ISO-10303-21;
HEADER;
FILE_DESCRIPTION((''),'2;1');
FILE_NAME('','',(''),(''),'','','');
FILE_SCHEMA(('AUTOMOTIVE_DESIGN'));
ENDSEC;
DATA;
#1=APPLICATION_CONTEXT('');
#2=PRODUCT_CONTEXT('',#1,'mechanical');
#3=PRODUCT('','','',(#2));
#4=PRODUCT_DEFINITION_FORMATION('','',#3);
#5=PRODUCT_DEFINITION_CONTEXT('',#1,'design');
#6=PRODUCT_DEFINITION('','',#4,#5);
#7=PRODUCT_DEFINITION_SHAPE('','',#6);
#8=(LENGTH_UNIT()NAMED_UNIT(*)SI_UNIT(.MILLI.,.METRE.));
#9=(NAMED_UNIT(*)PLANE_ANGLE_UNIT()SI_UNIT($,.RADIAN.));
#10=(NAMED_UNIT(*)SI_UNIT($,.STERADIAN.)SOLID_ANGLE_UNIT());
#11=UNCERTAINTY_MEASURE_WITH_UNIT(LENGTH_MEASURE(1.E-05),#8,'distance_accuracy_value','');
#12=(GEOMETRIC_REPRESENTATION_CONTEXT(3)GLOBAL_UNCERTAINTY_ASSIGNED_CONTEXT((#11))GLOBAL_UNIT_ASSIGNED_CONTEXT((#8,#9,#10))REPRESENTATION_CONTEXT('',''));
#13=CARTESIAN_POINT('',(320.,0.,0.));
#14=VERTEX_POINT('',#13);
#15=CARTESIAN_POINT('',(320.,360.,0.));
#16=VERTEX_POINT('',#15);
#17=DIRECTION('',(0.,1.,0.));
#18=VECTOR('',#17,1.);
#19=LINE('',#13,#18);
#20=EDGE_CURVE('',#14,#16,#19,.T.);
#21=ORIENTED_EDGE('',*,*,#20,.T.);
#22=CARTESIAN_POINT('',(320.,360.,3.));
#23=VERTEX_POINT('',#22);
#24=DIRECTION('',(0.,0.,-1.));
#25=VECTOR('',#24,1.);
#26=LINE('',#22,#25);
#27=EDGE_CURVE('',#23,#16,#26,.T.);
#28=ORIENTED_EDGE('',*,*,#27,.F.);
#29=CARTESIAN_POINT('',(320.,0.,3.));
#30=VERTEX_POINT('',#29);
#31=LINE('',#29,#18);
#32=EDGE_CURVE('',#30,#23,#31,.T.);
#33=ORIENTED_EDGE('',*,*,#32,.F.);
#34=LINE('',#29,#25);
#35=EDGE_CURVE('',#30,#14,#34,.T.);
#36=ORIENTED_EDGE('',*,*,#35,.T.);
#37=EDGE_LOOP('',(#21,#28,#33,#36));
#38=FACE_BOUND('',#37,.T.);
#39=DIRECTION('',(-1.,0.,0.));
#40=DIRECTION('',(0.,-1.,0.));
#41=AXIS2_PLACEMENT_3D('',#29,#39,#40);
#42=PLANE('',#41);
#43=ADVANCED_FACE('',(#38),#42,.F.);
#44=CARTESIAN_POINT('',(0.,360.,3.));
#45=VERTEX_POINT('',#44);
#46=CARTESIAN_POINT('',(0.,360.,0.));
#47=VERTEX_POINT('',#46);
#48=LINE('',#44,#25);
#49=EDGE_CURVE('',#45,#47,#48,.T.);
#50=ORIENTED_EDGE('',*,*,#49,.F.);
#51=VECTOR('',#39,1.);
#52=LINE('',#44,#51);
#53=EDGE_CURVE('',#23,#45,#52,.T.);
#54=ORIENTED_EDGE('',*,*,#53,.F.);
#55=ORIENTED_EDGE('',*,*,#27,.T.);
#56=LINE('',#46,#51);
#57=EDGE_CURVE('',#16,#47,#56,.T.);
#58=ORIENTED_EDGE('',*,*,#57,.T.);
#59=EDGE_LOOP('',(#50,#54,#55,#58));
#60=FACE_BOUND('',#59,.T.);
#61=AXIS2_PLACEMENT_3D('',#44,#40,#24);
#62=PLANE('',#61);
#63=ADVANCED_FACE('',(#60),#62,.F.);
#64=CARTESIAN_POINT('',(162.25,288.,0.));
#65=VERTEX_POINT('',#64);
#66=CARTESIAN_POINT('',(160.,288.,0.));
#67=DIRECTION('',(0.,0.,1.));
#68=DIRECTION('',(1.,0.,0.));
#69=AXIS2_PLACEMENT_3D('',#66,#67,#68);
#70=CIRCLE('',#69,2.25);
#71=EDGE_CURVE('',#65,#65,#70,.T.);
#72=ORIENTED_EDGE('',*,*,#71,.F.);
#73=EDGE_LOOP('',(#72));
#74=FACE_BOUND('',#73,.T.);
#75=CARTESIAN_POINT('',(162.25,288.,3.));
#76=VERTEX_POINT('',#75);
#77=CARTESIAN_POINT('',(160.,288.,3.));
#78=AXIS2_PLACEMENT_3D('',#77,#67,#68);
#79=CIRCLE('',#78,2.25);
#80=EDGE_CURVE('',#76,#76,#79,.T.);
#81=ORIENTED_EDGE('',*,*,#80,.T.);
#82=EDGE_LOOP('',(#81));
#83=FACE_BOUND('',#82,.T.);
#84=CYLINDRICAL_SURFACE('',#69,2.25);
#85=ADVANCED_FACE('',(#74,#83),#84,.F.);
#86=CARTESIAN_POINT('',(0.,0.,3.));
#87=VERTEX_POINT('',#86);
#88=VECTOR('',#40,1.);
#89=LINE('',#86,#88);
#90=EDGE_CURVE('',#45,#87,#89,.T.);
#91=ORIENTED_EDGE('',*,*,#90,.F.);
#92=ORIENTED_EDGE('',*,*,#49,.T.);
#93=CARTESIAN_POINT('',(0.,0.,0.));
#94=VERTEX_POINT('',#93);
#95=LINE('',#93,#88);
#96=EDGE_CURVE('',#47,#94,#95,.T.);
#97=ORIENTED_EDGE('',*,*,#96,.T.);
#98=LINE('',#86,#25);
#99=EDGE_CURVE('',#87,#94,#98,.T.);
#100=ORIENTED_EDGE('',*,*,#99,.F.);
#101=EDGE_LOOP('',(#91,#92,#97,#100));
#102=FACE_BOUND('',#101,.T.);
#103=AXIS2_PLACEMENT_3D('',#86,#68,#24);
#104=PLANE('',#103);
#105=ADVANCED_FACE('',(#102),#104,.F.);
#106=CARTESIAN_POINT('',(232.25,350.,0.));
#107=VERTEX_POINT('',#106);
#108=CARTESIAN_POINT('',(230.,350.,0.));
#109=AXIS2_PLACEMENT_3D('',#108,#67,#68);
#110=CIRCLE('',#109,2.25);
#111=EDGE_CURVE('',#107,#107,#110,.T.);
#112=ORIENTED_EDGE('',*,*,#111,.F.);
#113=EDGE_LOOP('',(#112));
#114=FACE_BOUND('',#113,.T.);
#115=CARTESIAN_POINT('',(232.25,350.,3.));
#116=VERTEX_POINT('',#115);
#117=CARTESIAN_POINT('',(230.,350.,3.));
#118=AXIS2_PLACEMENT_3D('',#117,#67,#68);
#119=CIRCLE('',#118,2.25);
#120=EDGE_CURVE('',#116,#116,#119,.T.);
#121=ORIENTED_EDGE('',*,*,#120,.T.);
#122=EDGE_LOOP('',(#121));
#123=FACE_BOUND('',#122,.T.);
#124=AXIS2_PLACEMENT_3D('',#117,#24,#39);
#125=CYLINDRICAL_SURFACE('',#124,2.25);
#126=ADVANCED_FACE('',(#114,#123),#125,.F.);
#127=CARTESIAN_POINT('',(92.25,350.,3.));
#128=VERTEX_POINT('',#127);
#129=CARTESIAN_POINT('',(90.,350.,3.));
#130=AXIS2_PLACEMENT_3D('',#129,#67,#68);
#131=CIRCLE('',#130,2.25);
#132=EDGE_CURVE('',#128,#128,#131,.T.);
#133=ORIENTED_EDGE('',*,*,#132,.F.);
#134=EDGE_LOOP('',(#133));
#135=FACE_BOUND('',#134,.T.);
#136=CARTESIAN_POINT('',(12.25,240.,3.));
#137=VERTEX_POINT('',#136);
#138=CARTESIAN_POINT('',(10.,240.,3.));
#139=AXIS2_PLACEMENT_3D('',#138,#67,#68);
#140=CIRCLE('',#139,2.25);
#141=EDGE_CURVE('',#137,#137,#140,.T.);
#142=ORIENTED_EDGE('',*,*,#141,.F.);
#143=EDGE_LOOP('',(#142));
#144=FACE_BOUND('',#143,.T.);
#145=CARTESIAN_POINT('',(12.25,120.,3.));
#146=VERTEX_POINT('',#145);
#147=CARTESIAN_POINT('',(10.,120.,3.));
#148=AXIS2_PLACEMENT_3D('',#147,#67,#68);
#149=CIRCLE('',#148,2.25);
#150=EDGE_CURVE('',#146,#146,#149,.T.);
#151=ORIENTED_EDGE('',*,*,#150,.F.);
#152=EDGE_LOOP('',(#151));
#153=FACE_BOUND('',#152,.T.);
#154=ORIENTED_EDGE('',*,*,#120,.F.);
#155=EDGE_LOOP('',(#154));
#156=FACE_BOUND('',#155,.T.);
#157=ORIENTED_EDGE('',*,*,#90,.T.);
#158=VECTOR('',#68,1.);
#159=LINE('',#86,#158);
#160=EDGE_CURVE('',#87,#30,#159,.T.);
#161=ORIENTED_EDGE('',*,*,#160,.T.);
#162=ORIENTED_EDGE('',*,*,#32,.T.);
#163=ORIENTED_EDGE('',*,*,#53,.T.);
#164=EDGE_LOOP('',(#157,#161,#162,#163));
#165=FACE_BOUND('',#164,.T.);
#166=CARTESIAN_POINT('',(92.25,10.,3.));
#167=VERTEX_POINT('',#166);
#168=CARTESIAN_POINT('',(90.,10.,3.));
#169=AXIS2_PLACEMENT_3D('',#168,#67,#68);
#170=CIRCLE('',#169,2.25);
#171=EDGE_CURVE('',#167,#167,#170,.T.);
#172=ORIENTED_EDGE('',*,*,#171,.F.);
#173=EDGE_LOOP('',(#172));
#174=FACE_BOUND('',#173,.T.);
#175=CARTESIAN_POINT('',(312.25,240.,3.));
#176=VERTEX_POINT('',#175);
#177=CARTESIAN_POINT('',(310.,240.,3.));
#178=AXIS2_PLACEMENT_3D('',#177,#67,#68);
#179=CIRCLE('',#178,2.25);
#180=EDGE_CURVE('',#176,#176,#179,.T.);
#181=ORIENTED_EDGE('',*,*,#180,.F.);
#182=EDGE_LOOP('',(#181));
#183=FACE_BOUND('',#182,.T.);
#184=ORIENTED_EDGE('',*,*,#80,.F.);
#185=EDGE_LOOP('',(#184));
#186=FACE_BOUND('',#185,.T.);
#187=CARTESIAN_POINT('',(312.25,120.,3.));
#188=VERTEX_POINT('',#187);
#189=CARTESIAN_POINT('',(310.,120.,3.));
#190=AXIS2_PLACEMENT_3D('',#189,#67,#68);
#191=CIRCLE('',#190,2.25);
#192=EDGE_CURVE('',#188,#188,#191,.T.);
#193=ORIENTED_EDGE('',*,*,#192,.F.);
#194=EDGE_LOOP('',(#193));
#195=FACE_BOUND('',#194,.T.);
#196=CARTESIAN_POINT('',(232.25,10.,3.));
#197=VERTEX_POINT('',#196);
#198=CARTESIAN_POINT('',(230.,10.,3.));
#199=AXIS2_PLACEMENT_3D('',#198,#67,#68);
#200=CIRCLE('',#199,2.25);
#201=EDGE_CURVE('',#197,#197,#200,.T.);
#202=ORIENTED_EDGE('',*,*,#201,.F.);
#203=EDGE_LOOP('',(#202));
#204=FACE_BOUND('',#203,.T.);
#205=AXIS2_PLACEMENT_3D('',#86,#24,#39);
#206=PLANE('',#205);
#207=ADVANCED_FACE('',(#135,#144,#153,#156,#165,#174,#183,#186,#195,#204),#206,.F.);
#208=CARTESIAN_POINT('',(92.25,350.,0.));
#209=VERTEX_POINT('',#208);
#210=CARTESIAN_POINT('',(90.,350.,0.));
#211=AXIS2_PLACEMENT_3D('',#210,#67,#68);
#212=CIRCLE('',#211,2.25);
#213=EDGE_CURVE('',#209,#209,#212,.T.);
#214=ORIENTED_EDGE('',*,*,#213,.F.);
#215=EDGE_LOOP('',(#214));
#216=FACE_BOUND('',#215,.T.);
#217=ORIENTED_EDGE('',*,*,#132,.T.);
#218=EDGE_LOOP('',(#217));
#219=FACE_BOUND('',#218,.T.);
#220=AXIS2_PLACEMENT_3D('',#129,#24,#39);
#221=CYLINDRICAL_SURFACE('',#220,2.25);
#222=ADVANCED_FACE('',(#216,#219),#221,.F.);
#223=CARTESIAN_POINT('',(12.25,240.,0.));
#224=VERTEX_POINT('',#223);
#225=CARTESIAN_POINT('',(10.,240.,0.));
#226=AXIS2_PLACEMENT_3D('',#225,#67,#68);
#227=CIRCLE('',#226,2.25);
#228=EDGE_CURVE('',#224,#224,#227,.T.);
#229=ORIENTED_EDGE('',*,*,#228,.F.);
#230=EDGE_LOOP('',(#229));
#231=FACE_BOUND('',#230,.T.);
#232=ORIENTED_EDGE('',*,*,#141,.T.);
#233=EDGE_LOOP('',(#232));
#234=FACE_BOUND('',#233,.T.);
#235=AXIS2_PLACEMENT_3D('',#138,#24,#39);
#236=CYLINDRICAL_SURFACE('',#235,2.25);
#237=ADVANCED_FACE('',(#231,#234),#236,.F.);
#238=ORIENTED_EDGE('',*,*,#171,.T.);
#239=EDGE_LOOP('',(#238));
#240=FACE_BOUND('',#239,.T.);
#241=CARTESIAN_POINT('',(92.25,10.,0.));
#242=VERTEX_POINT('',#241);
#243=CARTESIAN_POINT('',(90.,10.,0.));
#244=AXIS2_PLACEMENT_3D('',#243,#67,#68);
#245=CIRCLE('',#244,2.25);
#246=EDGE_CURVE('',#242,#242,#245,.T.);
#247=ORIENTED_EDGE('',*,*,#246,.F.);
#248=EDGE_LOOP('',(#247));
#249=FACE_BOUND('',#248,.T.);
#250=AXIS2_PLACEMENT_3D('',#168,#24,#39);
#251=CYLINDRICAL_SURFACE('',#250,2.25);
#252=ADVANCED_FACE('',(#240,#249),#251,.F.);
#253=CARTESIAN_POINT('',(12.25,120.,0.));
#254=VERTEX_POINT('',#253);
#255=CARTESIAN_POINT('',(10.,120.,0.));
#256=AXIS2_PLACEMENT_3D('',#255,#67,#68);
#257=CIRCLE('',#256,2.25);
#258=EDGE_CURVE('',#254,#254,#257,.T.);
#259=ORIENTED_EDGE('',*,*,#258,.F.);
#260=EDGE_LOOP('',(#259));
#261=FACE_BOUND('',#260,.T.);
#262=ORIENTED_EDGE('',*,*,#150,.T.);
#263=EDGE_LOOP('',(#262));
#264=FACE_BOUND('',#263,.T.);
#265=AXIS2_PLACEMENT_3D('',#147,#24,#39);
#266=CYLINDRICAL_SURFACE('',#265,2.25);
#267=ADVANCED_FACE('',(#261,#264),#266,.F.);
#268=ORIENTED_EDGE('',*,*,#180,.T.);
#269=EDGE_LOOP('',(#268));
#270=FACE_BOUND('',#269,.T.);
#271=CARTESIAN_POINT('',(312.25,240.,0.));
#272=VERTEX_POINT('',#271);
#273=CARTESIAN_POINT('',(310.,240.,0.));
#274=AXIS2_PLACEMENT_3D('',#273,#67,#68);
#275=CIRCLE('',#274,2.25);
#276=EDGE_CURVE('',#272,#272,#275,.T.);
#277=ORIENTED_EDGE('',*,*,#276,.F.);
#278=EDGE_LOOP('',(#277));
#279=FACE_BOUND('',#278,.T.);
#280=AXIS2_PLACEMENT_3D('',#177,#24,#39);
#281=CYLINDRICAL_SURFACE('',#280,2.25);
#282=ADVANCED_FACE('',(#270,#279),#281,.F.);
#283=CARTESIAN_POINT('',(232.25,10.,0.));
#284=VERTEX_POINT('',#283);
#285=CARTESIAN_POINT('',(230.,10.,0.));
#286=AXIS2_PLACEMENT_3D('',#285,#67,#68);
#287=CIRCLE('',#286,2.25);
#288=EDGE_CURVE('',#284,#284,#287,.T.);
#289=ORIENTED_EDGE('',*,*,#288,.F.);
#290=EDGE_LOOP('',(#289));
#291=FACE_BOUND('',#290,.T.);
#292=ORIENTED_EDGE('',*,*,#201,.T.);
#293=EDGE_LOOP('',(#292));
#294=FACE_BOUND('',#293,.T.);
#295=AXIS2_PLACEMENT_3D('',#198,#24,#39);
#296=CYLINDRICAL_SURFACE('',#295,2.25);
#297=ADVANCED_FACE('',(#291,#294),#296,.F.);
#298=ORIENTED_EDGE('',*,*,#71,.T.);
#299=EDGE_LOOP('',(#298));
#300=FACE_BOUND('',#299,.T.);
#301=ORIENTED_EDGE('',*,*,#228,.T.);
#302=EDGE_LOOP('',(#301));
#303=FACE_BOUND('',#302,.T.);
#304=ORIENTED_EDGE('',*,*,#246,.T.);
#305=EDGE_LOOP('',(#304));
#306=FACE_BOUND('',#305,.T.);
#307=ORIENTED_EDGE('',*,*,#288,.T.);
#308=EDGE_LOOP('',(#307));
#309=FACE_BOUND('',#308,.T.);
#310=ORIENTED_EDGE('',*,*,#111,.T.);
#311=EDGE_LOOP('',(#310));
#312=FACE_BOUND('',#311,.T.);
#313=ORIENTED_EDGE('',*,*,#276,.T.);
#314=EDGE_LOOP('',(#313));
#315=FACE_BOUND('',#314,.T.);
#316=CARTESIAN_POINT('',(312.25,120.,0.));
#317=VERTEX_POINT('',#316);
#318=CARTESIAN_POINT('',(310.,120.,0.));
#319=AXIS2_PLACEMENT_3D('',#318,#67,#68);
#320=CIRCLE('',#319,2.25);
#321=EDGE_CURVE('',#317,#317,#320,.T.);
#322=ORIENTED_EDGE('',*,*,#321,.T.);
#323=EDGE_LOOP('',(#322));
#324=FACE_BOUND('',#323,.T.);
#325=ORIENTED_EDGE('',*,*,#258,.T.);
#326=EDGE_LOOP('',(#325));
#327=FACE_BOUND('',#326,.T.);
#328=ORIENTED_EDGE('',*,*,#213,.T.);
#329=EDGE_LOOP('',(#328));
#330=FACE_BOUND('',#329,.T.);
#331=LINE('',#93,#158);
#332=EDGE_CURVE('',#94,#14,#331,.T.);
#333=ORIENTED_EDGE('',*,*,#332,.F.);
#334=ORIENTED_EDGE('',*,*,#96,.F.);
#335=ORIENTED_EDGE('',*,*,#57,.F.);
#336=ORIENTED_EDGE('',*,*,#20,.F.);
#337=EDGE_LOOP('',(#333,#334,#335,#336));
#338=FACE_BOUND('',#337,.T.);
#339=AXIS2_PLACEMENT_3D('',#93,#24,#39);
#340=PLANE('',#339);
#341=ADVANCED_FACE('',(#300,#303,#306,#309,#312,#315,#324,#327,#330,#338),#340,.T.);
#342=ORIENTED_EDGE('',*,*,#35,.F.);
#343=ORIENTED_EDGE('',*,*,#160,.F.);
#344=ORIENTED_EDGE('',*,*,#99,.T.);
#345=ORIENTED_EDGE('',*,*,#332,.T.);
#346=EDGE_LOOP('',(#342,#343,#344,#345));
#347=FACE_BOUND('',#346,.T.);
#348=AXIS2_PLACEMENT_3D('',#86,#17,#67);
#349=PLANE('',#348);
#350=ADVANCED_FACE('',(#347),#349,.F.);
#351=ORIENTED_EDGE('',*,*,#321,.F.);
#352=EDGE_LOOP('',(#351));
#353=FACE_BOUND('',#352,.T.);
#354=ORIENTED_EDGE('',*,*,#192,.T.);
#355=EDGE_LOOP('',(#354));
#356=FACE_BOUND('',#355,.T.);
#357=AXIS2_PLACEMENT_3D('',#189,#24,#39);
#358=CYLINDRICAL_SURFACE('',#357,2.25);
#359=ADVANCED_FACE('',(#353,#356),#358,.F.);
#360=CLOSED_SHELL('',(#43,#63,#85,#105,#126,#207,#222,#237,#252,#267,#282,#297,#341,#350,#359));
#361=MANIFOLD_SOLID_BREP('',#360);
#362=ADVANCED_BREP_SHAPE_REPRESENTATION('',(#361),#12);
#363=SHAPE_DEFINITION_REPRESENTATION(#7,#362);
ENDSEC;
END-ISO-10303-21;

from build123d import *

# Parameters (mm, degrees)
SKETCH_1_W          = 320
SKETCH_1_H          = 360
SKETCH_1_R          = 2.25
EXTRUDE_1_DEPTH     = 3
SKETCH_2_R          = 2.25
CUT_EXTRUDE_1_DEPTH = 4


with BuildPart() as part:
    # Эскиз1 → Бобышка-Вытянуть1 (new body)
    with BuildSketch(Plane.XY):
        with Locations((160, 180)):
            Rectangle(SKETCH_1_W, SKETCH_1_H)
        with Locations((90, 350)):
            Circle(SKETCH_1_R, mode=Mode.SUBTRACT)
        with Locations((230, 350)):
            Circle(SKETCH_1_R, mode=Mode.SUBTRACT)
        with Locations((10, 240)):
            Circle(SKETCH_1_R, mode=Mode.SUBTRACT)
        with Locations((10, 120)):
            Circle(SKETCH_1_R, mode=Mode.SUBTRACT)
        with Locations((310, 240)):
            Circle(SKETCH_1_R, mode=Mode.SUBTRACT)
        with Locations((310, 120)):
            Circle(SKETCH_1_R, mode=Mode.SUBTRACT)
        with Locations((90, 10)):
            Circle(SKETCH_1_R, mode=Mode.SUBTRACT)
        with Locations((230, 10)):
            Circle(SKETCH_1_R, mode=Mode.SUBTRACT)
    extrude(amount=EXTRUDE_1_DEPTH)

    # Эскиз2 → Вырез-Вытянуть1 (cut, through all)
    with BuildSketch(Plane.XY.offset(3)):
        with Locations((160, 288)):
            Circle(SKETCH_2_R)
    extrude(amount=-CUT_EXTRUDE_1_DEPTH, mode=Mode.SUBTRACT)


solid = part.part
